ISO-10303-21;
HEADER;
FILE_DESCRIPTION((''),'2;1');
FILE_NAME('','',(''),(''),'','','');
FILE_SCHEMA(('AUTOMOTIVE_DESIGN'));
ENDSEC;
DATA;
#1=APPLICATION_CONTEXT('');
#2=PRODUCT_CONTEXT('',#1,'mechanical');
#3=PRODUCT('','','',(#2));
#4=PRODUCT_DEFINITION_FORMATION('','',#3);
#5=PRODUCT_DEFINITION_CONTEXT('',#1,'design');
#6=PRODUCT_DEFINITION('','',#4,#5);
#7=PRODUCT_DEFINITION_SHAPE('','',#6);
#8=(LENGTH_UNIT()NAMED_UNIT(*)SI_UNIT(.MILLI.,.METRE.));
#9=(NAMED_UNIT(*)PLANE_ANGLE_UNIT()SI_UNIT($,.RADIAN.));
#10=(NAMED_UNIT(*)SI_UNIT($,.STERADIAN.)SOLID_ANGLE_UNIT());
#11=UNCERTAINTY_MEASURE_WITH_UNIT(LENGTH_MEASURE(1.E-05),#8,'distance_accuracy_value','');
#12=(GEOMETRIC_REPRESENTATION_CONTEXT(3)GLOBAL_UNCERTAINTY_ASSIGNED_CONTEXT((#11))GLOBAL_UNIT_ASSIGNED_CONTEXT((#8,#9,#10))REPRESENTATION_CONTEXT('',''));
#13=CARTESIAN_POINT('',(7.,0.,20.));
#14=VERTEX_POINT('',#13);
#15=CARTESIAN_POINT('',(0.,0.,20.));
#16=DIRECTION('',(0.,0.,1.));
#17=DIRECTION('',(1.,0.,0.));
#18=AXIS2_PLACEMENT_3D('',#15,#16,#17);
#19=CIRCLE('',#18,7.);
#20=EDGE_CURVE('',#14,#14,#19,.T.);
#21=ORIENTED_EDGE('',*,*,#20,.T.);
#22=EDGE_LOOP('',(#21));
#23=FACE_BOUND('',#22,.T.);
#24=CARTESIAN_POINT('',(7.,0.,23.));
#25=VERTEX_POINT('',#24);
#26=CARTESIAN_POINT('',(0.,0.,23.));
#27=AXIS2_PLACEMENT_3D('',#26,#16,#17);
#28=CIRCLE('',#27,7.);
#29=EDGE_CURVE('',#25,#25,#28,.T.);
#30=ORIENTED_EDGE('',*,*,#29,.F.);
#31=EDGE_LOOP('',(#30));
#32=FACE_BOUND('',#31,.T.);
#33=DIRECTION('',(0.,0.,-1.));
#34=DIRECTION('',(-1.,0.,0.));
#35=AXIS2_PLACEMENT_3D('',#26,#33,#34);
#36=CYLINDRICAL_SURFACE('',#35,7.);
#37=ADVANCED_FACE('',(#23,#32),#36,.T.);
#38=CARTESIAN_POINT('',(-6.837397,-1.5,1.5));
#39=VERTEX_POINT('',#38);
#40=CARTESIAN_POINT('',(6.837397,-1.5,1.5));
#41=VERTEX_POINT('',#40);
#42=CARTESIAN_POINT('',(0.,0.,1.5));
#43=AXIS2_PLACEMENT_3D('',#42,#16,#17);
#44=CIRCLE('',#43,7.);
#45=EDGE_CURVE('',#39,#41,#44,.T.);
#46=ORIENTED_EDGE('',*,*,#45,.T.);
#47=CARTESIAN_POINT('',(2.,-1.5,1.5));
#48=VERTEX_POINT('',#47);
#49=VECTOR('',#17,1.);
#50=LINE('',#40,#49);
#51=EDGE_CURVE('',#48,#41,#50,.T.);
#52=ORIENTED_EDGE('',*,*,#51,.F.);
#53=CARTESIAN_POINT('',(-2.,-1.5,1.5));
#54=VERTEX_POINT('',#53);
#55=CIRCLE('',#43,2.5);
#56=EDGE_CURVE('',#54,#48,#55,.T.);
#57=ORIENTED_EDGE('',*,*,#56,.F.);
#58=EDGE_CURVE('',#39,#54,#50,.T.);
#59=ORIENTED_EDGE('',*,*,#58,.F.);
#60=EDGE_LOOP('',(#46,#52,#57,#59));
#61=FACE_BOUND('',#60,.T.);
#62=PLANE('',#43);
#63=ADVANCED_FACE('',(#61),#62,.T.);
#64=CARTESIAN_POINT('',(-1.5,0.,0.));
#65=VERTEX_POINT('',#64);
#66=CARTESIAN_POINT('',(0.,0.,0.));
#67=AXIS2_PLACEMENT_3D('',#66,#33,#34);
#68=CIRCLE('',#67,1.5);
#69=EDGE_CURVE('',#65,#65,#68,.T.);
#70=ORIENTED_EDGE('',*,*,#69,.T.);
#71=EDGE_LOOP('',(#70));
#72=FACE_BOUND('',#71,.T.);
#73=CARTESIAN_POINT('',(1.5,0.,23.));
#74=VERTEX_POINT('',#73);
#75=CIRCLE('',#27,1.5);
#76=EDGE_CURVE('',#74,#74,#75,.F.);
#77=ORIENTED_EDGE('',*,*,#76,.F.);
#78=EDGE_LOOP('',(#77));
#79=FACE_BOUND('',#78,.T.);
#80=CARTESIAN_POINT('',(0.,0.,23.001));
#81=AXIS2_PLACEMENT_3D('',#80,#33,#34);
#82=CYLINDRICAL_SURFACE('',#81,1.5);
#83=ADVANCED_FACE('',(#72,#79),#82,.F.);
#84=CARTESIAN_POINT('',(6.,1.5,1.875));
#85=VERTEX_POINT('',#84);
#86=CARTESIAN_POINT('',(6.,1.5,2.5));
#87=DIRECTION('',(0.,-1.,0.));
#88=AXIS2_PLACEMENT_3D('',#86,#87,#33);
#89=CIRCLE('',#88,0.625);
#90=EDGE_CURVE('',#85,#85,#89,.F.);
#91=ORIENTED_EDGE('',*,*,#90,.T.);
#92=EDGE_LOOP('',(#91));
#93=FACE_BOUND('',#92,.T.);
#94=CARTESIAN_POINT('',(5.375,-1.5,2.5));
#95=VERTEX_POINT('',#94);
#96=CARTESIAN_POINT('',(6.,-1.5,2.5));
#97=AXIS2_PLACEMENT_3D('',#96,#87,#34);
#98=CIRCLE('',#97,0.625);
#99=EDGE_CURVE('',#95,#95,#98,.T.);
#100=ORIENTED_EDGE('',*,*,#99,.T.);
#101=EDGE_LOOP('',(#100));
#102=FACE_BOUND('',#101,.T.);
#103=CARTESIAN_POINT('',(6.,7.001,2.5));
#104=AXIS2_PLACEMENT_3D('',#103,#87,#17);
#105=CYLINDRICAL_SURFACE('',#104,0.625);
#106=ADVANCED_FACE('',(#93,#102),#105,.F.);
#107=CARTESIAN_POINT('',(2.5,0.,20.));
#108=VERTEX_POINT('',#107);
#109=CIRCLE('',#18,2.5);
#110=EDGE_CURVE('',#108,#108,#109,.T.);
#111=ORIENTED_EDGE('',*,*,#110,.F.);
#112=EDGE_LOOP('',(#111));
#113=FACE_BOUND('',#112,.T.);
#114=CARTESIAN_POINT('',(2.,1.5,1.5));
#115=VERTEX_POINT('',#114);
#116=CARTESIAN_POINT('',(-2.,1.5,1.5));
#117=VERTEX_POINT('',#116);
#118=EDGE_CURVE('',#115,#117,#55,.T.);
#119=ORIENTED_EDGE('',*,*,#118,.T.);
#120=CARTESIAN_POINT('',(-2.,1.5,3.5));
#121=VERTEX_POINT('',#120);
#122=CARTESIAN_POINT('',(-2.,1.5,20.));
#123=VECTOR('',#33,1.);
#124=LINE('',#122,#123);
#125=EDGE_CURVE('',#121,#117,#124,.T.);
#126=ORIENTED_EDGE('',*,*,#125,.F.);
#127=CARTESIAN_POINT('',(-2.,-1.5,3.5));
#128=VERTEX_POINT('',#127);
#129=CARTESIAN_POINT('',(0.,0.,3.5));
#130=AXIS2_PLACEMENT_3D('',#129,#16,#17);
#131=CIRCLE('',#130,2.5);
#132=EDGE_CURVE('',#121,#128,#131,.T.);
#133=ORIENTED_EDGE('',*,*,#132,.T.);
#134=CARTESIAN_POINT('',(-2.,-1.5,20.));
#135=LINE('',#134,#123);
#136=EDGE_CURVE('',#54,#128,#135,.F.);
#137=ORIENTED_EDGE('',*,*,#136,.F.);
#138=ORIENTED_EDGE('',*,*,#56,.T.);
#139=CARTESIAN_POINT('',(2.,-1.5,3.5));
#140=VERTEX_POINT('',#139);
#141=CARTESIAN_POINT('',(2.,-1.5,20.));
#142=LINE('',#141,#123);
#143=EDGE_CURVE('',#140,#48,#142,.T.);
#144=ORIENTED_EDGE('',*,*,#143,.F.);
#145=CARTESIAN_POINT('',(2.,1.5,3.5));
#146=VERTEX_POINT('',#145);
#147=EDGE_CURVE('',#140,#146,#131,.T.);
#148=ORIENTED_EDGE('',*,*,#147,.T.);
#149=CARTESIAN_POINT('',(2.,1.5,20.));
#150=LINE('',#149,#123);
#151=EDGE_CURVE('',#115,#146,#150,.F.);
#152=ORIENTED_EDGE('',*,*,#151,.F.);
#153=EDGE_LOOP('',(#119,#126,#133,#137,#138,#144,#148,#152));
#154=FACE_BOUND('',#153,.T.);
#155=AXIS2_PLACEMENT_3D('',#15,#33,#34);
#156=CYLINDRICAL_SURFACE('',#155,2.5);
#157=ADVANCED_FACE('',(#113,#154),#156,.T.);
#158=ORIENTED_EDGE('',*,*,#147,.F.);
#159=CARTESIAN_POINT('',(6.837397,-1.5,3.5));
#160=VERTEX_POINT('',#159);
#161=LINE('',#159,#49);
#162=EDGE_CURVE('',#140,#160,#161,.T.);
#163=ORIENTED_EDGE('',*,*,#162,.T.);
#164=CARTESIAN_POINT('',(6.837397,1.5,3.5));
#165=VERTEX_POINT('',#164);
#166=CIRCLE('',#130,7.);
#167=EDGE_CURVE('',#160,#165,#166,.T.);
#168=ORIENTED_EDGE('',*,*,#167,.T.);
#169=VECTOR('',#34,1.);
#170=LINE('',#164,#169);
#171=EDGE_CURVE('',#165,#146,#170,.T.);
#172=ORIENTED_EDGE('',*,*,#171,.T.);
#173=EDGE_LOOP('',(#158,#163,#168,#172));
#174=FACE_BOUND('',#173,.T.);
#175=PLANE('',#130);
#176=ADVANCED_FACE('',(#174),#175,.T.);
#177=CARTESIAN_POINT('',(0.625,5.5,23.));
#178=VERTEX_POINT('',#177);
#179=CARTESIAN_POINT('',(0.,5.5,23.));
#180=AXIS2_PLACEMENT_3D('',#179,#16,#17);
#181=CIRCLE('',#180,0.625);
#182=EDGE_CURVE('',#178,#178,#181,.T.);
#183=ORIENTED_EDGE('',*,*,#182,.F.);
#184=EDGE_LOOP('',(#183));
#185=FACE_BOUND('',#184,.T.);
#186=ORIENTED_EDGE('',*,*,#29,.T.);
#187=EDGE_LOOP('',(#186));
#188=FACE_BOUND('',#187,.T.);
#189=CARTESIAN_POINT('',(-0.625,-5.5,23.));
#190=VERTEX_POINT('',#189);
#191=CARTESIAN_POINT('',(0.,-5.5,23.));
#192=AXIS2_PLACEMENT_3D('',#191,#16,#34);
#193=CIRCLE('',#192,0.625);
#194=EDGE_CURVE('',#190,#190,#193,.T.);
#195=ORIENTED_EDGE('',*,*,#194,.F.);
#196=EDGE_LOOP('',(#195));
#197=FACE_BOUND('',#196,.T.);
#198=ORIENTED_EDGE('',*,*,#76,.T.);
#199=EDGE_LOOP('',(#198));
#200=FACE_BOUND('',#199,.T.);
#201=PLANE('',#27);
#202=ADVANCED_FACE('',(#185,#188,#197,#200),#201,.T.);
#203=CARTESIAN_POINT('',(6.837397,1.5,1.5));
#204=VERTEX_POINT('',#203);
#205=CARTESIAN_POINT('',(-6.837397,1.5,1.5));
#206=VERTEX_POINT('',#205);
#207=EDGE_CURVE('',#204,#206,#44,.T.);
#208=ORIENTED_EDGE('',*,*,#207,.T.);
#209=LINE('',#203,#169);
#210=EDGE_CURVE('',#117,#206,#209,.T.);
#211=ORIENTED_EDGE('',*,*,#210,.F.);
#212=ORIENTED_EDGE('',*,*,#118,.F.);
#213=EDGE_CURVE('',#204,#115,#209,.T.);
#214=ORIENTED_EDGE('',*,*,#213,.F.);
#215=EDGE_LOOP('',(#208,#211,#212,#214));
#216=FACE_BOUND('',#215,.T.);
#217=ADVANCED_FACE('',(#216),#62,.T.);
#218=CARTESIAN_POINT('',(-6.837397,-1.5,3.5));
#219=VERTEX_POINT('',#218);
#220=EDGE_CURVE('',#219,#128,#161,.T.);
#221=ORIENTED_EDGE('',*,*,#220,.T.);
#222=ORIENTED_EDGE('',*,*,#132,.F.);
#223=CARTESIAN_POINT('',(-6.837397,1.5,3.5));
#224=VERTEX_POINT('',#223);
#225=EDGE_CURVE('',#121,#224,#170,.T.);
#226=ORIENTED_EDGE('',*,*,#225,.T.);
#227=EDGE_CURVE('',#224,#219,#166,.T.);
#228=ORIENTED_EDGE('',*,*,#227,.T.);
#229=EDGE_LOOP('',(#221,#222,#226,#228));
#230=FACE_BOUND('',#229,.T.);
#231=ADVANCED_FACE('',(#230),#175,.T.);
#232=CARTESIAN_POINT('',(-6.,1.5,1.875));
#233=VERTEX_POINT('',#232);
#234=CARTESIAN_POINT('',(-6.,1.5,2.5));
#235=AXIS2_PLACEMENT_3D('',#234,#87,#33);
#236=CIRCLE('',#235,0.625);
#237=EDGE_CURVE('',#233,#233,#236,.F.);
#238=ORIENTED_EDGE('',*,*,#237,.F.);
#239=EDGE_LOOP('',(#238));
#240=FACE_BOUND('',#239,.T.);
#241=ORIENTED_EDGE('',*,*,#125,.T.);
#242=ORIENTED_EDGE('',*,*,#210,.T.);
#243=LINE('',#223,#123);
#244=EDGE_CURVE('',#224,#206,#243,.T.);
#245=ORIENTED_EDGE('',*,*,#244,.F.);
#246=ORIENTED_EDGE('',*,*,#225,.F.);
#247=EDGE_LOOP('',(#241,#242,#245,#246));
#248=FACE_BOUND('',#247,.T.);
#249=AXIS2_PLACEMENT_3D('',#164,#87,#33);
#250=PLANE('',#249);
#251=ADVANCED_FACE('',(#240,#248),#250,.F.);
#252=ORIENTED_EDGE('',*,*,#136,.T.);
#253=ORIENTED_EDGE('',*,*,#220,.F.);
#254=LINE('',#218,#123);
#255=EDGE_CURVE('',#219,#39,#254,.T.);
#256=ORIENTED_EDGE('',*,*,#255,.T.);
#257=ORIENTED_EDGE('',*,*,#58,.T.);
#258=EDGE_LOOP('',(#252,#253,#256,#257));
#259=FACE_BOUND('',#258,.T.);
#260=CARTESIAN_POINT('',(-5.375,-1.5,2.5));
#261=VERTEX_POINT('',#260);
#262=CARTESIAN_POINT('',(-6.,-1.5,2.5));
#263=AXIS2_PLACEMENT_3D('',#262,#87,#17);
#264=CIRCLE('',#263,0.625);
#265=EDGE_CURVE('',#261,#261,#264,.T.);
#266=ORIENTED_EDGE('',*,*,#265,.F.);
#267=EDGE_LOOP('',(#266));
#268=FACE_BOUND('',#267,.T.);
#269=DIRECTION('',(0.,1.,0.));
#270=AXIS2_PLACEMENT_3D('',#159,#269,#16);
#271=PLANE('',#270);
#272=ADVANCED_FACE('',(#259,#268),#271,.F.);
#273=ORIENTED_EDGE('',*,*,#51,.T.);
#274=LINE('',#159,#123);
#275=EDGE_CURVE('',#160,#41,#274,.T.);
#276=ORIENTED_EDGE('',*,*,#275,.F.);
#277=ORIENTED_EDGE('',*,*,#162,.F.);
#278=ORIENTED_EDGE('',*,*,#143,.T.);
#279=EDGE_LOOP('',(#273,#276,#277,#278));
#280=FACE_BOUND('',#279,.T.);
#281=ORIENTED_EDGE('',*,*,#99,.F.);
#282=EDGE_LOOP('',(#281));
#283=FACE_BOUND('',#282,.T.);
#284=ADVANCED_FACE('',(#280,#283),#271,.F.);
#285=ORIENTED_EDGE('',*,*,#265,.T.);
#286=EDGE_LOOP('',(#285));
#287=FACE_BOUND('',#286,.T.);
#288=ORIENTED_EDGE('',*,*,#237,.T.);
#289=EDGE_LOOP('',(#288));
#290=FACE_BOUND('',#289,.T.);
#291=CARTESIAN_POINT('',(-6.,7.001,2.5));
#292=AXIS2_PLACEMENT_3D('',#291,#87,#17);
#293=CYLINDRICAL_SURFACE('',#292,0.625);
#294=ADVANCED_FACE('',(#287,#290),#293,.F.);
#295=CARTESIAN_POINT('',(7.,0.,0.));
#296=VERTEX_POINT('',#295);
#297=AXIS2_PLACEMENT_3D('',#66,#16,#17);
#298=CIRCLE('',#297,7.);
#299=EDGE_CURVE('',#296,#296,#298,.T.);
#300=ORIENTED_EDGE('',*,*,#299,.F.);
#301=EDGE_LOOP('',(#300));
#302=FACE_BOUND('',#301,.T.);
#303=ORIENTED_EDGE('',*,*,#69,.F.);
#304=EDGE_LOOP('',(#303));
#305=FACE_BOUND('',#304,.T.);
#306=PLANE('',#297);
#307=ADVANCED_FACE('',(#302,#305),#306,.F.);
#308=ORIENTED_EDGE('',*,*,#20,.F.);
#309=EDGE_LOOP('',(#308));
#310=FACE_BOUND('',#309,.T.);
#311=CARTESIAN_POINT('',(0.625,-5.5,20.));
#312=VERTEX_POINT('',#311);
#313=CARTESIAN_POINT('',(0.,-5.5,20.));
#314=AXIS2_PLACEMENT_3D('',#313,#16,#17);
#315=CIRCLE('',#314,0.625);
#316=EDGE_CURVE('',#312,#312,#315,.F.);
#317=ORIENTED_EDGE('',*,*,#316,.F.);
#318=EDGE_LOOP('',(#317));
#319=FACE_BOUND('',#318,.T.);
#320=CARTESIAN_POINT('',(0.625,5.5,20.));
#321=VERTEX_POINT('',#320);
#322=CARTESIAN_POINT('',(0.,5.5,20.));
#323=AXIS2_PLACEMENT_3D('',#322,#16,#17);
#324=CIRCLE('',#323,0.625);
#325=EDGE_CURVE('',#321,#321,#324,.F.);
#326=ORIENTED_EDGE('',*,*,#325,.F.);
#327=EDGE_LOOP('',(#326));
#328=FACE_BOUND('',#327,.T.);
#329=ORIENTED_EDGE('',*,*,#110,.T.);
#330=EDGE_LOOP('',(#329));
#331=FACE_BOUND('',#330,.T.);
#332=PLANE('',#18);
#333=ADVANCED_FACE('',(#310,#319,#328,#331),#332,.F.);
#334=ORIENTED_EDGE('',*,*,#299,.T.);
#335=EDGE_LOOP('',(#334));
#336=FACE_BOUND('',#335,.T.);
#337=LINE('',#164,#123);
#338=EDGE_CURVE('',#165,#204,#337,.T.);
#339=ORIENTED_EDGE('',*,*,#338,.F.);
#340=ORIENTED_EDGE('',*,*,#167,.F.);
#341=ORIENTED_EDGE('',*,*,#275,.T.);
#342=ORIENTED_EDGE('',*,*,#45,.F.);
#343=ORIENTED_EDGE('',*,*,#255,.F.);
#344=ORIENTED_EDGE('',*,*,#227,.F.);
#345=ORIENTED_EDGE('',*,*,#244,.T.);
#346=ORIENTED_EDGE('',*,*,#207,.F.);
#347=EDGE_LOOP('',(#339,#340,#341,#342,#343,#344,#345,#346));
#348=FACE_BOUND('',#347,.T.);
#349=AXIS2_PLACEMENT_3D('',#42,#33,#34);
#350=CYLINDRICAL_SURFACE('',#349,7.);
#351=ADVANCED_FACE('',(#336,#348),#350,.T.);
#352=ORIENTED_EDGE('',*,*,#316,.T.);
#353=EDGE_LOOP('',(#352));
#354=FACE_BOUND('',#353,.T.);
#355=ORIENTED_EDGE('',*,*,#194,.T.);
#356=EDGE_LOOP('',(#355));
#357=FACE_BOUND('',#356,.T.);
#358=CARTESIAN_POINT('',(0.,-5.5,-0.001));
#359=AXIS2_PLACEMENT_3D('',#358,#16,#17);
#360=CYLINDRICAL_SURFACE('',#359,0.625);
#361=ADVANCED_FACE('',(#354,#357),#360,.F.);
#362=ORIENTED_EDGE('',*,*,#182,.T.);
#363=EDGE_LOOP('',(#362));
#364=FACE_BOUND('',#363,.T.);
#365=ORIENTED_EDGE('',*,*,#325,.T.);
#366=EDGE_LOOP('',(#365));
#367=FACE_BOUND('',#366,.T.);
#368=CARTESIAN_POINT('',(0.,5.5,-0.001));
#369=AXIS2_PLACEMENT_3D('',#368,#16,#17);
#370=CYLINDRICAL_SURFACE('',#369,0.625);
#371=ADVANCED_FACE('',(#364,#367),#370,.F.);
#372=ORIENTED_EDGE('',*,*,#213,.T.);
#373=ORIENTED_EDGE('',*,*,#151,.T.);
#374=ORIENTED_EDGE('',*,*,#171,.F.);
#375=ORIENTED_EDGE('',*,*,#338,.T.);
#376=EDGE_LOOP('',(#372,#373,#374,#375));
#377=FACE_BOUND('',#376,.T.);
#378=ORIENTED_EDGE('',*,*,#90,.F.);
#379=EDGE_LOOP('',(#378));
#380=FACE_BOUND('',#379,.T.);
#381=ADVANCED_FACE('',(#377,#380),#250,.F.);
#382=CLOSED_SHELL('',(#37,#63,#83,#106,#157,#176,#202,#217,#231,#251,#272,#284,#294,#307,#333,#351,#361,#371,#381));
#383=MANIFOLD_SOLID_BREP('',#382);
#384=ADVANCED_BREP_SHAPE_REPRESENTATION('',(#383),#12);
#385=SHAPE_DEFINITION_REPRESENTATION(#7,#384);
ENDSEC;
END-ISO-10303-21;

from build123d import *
from build123d.topology import SkipClean

# Parameters (mm, degrees)
SKETCH1_R           = 7
BOSS_EXTRUDE1_DEPTH = 1.5
SKETCH2_R           = 2.5
BOSS_EXTRUDE2_DEPTH = 18.5
SKETCH3_R           = 7
BOSS_EXTRUDE3_DEPTH = 3
CUT_EXTRUDE1_REACH  = 27.04
SKETCH4_R           = 1.5
CUT_EXTRUDE4_REACH  = 27.04
SKETCH5_R           = 0.625
BOSS_EXTRUDE5_DEPTH = 2
CUT_EXTRUDE5_REACH  = 27.5
SKETCH16_R          = 0.625
CUT_EXTRUDE6_REACH  = 25.67
SKETCH17_R          = 1.5


with BuildPart() as part:
    # Sketch1 → Boss-Extrude1 (new body)
    with BuildSketch(Plane.XY):
        Circle(SKETCH1_R)
    extrude(amount=BOSS_EXTRUDE1_DEPTH)

    # Sketch2 → Boss-Extrude2 (add)
    with BuildSketch(Plane.XY.offset(1.5)):
        Circle(SKETCH2_R)
    extrude(amount=BOSS_EXTRUDE2_DEPTH)

    # Sketch3 → Boss-Extrude3 (add)
    with BuildSketch(Plane.XY.offset(20)):
        Circle(SKETCH3_R)
    extrude(amount=BOSS_EXTRUDE3_DEPTH)

    # Sketch4 → Cut-Extrude1 (cut, up to next)
    with BuildSketch(Plane(origin=(0, 0, 0), x_dir=(-1, 0, 0), z_dir=(0, 0, -1)), mode=Mode.PRIVATE) as cut_extrude1_sk1:
        Circle(SKETCH4_R)
    cut_extrude1_tool1 = extrude(cut_extrude1_sk1.sketch, amount=-CUT_EXTRUDE1_REACH, mode=Mode.PRIVATE) & part.part
    add(cut_extrude1_tool1.solids().sort_by_distance((0, 0, 0))[0], mode=Mode.SUBTRACT)

    # Sketch5 → Cut-Extrude4 (cut, up to next)
    with BuildSketch(Plane.XY.offset(23), mode=Mode.PRIVATE) as cut_extrude4_sk1:
        with Locations((0, 5.5)):
            Circle(SKETCH5_R)
    cut_extrude4_tool1 = extrude(cut_extrude4_sk1.sketch, amount=-CUT_EXTRUDE4_REACH, mode=Mode.PRIVATE) & part.part
    # Sketch5 → Cut-Extrude4 (cut, up to next)
    with BuildSketch(Plane.XY.offset(23), mode=Mode.PRIVATE) as cut_extrude4_sk2:
        with Locations((0, -5.5)):
            Circle(SKETCH5_R)
    cut_extrude4_tool2 = extrude(cut_extrude4_sk2.sketch, amount=-CUT_EXTRUDE4_REACH, mode=Mode.PRIVATE) & part.part
    add(cut_extrude4_tool1.solids().sort_by_distance((0, 5.5, 23))[0], mode=Mode.SUBTRACT)
    add(cut_extrude4_tool2.solids().sort_by_distance((0, -5.5, 23))[0], mode=Mode.SUBTRACT)

    # Sketch15 → Boss-Extrude5 (add)
    with SkipClean():  # the faces are left unmerged after this step: merging them gives an invalid solid
        with BuildSketch(Plane.XY.offset(1.5)):
            with BuildLine():
                Line((6.837397, -1.5), (-6.837397, -1.5))
                ThreePointArc((-6.837397, -1.5), (-7, 0), (-6.837397, 1.5))
                Line((-6.837397, 1.5), (6.837397, 1.5))
                ThreePointArc((6.837397, 1.5), (7, 0), (6.837397, -1.5))
            make_face()
        extrude(amount=BOSS_EXTRUDE5_DEPTH)

    # Sketch16 → Cut-Extrude5 (cut, up to next)
    with BuildSketch(Plane.XZ.offset(1.5), mode=Mode.PRIVATE) as cut_extrude5_sk1:
        with Locations((-6, 2.5)):
            Circle(SKETCH16_R)
    cut_extrude5_tool1 = extrude(cut_extrude5_sk1.sketch, amount=-CUT_EXTRUDE5_REACH, mode=Mode.PRIVATE) & part.part
    # Sketch16 → Cut-Extrude5 (cut, up to next)
    with BuildSketch(Plane.XZ.offset(1.5), mode=Mode.PRIVATE) as cut_extrude5_sk2:
        with Locations(Location((6, 2.5, 0), (0, 0, 270))):
            Circle(SKETCH16_R)
    cut_extrude5_tool2 = extrude(cut_extrude5_sk2.sketch, amount=-CUT_EXTRUDE5_REACH, mode=Mode.PRIVATE) & part.part
    add(cut_extrude5_tool1.solids().sort_by_distance((-6, -1.5, 2.5))[0], mode=Mode.SUBTRACT)
    add(cut_extrude5_tool2.solids().sort_by_distance((6, -1.5, 2.5))[0], mode=Mode.SUBTRACT)

    # Sketch17 → Cut-Extrude6 (cut, up to next)
    with BuildSketch(Plane(origin=(0, 0, 1.5), x_dir=(-1, 0, 0), z_dir=(0, 0, -1)), mode=Mode.PRIVATE) as cut_extrude6_sk1:
        Circle(SKETCH17_R)
    cut_extrude6_tool1 = extrude(cut_extrude6_sk1.sketch, amount=-CUT_EXTRUDE6_REACH, mode=Mode.PRIVATE) & part.part
    add(cut_extrude6_tool1.solids().sort_by_distance((0, 0, 1.5))[0], mode=Mode.SUBTRACT)


solid = part.part
